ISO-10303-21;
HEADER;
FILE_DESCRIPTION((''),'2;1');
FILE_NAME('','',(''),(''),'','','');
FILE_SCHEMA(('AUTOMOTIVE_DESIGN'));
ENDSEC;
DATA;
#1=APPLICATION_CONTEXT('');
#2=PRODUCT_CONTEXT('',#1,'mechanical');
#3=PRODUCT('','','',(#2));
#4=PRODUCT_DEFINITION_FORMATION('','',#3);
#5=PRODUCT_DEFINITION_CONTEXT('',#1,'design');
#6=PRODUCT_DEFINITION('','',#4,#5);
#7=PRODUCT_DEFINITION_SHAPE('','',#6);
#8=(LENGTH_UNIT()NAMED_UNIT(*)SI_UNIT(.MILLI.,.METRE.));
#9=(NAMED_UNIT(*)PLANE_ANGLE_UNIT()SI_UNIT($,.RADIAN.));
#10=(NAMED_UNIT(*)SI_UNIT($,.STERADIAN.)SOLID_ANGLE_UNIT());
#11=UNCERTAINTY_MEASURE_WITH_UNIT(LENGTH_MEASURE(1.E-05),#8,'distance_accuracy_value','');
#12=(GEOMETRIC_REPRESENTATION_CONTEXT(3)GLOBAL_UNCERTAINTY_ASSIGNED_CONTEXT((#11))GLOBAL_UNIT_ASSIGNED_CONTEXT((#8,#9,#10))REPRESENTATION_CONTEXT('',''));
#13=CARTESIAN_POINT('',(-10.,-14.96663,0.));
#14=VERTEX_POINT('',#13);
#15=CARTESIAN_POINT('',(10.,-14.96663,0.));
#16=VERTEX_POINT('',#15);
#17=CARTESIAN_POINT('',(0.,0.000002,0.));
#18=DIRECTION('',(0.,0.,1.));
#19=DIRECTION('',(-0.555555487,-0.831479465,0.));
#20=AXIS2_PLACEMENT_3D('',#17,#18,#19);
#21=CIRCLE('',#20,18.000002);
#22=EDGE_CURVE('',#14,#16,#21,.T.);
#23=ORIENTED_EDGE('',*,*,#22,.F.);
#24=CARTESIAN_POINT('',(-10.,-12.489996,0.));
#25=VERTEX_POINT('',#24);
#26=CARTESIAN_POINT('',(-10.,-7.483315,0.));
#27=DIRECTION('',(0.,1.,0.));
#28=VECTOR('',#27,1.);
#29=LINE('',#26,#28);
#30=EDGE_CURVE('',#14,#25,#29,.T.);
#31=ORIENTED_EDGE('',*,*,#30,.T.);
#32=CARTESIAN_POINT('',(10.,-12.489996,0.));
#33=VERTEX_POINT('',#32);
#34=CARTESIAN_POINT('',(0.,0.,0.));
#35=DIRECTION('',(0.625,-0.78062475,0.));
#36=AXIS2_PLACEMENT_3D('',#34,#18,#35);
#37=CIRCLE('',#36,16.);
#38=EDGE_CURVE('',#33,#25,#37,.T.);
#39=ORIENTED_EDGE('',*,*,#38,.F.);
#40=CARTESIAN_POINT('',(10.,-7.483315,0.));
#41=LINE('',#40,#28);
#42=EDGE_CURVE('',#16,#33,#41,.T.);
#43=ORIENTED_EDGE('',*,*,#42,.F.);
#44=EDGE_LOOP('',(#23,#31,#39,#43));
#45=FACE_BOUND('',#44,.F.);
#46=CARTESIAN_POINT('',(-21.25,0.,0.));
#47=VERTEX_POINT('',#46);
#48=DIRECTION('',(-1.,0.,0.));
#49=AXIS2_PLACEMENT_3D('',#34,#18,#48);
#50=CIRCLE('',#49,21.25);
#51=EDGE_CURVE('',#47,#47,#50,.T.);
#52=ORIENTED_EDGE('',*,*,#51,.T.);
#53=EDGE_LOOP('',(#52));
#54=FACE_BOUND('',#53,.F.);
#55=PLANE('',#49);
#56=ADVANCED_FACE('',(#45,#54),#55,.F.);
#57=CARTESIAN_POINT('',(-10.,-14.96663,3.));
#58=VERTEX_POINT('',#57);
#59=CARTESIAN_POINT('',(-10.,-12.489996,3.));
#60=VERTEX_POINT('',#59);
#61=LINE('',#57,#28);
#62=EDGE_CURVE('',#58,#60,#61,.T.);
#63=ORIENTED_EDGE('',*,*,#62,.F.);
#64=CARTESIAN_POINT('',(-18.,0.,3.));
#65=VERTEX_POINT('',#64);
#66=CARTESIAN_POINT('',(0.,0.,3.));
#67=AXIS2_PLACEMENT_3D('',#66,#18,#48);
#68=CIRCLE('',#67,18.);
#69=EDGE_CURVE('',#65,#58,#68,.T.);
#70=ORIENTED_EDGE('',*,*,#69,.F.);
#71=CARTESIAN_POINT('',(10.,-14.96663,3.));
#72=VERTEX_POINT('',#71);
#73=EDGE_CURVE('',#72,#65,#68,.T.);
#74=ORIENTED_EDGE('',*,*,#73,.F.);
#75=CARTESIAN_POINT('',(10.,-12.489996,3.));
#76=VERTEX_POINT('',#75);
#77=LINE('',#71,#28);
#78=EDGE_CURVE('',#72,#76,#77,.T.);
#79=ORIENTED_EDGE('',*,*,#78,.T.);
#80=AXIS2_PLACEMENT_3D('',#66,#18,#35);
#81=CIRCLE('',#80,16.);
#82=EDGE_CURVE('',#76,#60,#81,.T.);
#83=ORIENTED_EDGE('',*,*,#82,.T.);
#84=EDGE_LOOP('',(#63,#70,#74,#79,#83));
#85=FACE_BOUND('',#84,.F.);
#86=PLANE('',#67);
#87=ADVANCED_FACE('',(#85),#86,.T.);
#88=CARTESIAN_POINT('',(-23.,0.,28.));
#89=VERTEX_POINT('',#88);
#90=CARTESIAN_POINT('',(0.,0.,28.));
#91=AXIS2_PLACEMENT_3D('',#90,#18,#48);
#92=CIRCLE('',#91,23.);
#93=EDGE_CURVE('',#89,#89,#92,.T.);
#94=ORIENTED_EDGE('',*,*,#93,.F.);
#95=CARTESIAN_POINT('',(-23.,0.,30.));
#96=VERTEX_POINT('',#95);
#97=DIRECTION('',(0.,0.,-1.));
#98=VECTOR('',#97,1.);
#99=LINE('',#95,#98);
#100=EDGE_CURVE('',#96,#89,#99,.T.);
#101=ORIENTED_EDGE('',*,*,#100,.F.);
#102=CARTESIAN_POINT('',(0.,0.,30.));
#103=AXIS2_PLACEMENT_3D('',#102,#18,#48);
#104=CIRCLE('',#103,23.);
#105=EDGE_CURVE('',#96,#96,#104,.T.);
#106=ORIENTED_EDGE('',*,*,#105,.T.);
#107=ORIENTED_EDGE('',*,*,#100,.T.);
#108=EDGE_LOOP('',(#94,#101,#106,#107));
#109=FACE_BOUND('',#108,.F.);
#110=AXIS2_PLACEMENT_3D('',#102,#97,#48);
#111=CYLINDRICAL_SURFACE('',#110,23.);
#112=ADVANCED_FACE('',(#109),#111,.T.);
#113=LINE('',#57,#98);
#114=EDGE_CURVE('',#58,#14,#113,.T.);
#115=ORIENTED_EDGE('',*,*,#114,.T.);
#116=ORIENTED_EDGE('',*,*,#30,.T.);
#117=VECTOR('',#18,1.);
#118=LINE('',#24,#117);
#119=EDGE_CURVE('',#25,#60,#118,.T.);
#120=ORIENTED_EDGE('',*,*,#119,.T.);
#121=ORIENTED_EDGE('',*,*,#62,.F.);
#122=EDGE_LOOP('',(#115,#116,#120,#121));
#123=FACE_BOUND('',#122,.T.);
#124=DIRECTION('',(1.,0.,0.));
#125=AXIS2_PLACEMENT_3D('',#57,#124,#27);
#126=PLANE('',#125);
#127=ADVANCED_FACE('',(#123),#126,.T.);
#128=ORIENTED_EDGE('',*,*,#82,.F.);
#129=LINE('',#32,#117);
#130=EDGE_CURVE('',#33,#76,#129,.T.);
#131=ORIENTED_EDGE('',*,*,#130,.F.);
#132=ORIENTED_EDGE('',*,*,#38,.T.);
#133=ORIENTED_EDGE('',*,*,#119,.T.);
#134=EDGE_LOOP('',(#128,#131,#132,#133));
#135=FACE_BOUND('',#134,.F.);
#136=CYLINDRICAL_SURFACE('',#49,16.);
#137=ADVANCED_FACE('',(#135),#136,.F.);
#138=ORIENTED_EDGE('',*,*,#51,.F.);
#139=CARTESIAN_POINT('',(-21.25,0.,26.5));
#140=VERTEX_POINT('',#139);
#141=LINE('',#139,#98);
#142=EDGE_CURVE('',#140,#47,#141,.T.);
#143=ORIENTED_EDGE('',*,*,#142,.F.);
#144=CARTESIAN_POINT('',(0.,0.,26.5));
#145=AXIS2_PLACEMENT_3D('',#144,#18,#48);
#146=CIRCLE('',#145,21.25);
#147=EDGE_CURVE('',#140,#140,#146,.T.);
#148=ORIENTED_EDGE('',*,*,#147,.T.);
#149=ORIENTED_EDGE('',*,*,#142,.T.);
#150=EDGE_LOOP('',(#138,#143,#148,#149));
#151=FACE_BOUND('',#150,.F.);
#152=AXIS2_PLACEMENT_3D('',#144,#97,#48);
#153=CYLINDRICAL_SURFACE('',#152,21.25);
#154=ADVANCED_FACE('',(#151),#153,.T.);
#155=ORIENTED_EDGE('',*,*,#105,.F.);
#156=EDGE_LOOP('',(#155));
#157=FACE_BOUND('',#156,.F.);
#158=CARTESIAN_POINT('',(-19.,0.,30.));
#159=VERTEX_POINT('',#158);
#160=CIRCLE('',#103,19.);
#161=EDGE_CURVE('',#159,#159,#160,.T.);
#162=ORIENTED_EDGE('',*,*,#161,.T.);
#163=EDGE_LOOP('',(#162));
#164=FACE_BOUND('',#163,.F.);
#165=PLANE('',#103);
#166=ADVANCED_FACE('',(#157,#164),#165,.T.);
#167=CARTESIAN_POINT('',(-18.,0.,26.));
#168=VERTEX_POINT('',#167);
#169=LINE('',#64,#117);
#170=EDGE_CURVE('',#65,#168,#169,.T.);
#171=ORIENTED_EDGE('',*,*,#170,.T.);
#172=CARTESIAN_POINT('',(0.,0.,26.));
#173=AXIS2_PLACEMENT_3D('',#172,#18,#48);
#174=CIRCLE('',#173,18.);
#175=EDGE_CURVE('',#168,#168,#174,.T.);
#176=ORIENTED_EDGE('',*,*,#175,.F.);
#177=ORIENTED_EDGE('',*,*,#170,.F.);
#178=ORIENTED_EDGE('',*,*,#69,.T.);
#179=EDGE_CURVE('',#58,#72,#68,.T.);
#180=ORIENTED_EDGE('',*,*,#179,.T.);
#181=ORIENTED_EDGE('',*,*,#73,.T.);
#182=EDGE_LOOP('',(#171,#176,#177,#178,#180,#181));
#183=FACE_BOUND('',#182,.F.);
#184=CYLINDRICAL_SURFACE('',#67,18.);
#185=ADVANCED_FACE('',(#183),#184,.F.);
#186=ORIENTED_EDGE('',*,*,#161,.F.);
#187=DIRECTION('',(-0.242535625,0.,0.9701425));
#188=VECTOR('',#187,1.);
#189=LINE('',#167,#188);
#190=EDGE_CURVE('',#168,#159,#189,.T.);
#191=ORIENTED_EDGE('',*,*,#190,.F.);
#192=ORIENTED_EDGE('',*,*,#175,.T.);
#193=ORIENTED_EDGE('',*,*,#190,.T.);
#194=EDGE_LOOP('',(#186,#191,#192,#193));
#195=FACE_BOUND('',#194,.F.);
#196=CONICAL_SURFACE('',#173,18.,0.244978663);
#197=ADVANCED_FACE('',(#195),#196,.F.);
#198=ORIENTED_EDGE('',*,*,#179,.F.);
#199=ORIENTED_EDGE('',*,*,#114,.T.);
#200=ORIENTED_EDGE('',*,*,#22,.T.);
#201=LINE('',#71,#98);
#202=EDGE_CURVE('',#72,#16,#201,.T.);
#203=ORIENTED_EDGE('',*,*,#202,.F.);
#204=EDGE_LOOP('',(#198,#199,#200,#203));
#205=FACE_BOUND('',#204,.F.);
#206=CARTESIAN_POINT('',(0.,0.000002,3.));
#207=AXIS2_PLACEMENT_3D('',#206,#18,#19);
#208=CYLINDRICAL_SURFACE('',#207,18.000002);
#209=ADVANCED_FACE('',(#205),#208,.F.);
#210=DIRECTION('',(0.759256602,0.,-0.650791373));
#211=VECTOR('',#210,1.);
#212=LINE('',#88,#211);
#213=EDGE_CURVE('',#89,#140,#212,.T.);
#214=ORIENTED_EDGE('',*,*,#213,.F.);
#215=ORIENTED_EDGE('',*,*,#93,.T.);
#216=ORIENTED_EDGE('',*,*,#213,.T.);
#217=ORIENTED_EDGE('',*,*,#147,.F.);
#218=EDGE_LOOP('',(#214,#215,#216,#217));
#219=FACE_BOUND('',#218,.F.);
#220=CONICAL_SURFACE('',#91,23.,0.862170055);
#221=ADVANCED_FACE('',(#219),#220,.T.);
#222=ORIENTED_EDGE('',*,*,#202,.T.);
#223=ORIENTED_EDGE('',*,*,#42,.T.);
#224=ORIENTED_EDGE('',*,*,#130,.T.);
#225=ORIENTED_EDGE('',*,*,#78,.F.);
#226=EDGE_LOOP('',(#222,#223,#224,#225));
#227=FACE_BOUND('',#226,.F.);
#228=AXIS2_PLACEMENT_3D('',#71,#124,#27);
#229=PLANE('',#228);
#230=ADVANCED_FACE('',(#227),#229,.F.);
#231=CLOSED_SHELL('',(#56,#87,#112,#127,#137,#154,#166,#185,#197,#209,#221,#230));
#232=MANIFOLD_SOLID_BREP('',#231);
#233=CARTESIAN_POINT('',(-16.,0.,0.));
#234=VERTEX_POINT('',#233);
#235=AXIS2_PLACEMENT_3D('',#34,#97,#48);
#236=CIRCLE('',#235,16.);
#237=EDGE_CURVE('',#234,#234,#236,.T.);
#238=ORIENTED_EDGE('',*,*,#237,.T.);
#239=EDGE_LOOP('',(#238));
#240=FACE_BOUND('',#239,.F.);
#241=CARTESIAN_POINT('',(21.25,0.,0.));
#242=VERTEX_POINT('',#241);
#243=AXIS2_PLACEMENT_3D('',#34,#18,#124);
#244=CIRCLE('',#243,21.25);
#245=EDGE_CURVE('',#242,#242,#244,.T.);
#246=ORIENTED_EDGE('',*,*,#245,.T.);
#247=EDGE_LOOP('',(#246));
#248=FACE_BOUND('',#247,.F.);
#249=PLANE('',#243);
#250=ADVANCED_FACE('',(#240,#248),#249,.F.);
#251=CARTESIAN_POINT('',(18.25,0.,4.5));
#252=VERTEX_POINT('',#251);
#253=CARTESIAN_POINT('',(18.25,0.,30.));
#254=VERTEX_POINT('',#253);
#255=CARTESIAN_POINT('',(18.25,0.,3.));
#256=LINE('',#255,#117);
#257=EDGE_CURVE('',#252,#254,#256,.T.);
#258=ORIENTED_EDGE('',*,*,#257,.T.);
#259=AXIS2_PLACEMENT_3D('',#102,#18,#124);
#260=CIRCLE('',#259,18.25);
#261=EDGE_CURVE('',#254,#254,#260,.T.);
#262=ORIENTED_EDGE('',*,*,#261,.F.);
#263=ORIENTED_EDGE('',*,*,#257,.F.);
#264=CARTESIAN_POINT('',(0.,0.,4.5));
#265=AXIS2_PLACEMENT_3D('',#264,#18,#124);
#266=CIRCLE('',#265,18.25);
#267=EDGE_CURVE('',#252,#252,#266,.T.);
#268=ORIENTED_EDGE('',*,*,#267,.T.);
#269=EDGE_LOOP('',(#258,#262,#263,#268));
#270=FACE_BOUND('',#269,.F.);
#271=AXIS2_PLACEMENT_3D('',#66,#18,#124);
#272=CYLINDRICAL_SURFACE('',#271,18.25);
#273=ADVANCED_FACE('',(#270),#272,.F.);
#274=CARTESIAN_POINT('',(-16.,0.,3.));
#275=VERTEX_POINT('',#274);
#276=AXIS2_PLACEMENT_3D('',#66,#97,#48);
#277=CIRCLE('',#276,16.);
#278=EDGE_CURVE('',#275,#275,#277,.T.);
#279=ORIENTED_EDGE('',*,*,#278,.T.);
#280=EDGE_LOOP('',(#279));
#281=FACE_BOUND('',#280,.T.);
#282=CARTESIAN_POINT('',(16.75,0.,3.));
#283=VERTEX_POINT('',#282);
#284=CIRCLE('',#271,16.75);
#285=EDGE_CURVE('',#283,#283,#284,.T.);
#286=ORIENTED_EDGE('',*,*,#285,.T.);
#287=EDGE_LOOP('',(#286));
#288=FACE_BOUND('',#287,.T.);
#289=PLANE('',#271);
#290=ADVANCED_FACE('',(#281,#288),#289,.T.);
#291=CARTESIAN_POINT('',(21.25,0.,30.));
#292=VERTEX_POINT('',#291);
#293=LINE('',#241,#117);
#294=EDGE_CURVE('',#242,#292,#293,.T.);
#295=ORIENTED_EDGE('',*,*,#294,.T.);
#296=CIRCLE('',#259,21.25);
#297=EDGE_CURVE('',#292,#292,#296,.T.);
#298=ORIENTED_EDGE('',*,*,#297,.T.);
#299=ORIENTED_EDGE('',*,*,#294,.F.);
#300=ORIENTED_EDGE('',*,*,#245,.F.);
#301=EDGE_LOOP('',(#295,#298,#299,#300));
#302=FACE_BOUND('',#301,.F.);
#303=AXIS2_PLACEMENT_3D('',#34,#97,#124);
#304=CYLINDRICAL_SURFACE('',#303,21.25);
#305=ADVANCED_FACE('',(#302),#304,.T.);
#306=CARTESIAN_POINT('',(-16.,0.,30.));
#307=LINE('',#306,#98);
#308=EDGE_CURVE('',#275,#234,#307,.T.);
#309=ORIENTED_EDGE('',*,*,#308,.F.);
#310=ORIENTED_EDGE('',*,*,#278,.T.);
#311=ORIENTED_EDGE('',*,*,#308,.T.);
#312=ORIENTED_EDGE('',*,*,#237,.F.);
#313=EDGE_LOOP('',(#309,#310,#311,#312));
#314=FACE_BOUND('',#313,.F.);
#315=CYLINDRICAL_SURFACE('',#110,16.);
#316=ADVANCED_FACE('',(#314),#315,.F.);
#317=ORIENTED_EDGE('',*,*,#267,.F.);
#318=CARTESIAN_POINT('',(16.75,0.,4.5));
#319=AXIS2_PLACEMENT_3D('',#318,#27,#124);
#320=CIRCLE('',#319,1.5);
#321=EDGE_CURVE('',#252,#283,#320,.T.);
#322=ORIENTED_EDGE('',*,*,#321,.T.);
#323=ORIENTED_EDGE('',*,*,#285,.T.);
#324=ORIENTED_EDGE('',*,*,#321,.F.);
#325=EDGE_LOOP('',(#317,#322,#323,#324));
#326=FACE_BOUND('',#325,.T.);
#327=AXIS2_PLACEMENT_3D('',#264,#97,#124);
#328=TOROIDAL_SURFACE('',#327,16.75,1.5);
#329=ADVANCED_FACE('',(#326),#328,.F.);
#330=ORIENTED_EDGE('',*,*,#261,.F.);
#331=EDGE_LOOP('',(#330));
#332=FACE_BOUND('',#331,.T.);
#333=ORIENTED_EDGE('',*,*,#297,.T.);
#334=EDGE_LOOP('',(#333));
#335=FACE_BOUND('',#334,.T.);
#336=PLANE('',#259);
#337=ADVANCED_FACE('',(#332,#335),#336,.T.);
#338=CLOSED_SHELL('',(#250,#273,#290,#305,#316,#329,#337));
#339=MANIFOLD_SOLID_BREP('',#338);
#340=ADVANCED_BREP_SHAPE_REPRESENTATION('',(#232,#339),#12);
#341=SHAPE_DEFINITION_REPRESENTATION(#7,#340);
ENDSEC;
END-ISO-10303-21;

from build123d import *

# Parameters (mm, degrees)
SKETCH_R         = 21.25
PAD_DEPTH        = 30
HOLE_D           = 32
HOLE_CBORE_D     = 36.5
HOLE_CBORE_DEPTH = 27
FILLET_R         = 1.5
POCKET_DEPTH     = 5


with BuildPart() as body:
    # Sketch → Pad (new body)
    with BuildSketch(Plane.XY):
        Circle(SKETCH_R)
    extrude(amount=PAD_DEPTH)

    # Hole (through all)
    with Locations(Plane.XY.offset(30)):
        with Locations((0, 0)):
            CounterBoreHole(HOLE_D / 2, HOLE_CBORE_D / 2, HOLE_CBORE_DEPTH)

    # Fillet
    fillet_edges = [body.edges().sort_by_distance(p)[0] for p in [
        (-18.25, 0, 3),
    ]]
    fillet(fillet_edges, radius=FILLET_R)


with BuildPart() as body001:
    # Sketch002 → Revolution (revolve)
    with BuildSketch(Plane.XZ):
        Polygon((-21.25, 26.5), (-21.25, 0), (-16, 0), (-16, 3), (-18, 3), (-18, 26), (-19, 30), (-23, 30), (-23, 28), align=None)
    revolve(axis=Axis((0, 0, 0), (0, 0, 1)))

    # Sketch003 (on Face6 of Revolution) → Pocket (cut)
    with BuildSketch(Plane(origin=(0, 0, 3), x_dir=(-1, 0, 0), z_dir=(0, 0, 1))):
        with BuildLine():
            ThreePointArc((10, 14.96663), (0, 18), (-10, 14.96663))
            Line((-10, 14.96663), (-10, 0))
            Line((-10, 0), (10, 0))
            Line((10, 14.96663), (10, 0))
        make_face()
    extrude(amount=-POCKET_DEPTH, mode=Mode.SUBTRACT)


solid = Compound([body.part, body001.part])
